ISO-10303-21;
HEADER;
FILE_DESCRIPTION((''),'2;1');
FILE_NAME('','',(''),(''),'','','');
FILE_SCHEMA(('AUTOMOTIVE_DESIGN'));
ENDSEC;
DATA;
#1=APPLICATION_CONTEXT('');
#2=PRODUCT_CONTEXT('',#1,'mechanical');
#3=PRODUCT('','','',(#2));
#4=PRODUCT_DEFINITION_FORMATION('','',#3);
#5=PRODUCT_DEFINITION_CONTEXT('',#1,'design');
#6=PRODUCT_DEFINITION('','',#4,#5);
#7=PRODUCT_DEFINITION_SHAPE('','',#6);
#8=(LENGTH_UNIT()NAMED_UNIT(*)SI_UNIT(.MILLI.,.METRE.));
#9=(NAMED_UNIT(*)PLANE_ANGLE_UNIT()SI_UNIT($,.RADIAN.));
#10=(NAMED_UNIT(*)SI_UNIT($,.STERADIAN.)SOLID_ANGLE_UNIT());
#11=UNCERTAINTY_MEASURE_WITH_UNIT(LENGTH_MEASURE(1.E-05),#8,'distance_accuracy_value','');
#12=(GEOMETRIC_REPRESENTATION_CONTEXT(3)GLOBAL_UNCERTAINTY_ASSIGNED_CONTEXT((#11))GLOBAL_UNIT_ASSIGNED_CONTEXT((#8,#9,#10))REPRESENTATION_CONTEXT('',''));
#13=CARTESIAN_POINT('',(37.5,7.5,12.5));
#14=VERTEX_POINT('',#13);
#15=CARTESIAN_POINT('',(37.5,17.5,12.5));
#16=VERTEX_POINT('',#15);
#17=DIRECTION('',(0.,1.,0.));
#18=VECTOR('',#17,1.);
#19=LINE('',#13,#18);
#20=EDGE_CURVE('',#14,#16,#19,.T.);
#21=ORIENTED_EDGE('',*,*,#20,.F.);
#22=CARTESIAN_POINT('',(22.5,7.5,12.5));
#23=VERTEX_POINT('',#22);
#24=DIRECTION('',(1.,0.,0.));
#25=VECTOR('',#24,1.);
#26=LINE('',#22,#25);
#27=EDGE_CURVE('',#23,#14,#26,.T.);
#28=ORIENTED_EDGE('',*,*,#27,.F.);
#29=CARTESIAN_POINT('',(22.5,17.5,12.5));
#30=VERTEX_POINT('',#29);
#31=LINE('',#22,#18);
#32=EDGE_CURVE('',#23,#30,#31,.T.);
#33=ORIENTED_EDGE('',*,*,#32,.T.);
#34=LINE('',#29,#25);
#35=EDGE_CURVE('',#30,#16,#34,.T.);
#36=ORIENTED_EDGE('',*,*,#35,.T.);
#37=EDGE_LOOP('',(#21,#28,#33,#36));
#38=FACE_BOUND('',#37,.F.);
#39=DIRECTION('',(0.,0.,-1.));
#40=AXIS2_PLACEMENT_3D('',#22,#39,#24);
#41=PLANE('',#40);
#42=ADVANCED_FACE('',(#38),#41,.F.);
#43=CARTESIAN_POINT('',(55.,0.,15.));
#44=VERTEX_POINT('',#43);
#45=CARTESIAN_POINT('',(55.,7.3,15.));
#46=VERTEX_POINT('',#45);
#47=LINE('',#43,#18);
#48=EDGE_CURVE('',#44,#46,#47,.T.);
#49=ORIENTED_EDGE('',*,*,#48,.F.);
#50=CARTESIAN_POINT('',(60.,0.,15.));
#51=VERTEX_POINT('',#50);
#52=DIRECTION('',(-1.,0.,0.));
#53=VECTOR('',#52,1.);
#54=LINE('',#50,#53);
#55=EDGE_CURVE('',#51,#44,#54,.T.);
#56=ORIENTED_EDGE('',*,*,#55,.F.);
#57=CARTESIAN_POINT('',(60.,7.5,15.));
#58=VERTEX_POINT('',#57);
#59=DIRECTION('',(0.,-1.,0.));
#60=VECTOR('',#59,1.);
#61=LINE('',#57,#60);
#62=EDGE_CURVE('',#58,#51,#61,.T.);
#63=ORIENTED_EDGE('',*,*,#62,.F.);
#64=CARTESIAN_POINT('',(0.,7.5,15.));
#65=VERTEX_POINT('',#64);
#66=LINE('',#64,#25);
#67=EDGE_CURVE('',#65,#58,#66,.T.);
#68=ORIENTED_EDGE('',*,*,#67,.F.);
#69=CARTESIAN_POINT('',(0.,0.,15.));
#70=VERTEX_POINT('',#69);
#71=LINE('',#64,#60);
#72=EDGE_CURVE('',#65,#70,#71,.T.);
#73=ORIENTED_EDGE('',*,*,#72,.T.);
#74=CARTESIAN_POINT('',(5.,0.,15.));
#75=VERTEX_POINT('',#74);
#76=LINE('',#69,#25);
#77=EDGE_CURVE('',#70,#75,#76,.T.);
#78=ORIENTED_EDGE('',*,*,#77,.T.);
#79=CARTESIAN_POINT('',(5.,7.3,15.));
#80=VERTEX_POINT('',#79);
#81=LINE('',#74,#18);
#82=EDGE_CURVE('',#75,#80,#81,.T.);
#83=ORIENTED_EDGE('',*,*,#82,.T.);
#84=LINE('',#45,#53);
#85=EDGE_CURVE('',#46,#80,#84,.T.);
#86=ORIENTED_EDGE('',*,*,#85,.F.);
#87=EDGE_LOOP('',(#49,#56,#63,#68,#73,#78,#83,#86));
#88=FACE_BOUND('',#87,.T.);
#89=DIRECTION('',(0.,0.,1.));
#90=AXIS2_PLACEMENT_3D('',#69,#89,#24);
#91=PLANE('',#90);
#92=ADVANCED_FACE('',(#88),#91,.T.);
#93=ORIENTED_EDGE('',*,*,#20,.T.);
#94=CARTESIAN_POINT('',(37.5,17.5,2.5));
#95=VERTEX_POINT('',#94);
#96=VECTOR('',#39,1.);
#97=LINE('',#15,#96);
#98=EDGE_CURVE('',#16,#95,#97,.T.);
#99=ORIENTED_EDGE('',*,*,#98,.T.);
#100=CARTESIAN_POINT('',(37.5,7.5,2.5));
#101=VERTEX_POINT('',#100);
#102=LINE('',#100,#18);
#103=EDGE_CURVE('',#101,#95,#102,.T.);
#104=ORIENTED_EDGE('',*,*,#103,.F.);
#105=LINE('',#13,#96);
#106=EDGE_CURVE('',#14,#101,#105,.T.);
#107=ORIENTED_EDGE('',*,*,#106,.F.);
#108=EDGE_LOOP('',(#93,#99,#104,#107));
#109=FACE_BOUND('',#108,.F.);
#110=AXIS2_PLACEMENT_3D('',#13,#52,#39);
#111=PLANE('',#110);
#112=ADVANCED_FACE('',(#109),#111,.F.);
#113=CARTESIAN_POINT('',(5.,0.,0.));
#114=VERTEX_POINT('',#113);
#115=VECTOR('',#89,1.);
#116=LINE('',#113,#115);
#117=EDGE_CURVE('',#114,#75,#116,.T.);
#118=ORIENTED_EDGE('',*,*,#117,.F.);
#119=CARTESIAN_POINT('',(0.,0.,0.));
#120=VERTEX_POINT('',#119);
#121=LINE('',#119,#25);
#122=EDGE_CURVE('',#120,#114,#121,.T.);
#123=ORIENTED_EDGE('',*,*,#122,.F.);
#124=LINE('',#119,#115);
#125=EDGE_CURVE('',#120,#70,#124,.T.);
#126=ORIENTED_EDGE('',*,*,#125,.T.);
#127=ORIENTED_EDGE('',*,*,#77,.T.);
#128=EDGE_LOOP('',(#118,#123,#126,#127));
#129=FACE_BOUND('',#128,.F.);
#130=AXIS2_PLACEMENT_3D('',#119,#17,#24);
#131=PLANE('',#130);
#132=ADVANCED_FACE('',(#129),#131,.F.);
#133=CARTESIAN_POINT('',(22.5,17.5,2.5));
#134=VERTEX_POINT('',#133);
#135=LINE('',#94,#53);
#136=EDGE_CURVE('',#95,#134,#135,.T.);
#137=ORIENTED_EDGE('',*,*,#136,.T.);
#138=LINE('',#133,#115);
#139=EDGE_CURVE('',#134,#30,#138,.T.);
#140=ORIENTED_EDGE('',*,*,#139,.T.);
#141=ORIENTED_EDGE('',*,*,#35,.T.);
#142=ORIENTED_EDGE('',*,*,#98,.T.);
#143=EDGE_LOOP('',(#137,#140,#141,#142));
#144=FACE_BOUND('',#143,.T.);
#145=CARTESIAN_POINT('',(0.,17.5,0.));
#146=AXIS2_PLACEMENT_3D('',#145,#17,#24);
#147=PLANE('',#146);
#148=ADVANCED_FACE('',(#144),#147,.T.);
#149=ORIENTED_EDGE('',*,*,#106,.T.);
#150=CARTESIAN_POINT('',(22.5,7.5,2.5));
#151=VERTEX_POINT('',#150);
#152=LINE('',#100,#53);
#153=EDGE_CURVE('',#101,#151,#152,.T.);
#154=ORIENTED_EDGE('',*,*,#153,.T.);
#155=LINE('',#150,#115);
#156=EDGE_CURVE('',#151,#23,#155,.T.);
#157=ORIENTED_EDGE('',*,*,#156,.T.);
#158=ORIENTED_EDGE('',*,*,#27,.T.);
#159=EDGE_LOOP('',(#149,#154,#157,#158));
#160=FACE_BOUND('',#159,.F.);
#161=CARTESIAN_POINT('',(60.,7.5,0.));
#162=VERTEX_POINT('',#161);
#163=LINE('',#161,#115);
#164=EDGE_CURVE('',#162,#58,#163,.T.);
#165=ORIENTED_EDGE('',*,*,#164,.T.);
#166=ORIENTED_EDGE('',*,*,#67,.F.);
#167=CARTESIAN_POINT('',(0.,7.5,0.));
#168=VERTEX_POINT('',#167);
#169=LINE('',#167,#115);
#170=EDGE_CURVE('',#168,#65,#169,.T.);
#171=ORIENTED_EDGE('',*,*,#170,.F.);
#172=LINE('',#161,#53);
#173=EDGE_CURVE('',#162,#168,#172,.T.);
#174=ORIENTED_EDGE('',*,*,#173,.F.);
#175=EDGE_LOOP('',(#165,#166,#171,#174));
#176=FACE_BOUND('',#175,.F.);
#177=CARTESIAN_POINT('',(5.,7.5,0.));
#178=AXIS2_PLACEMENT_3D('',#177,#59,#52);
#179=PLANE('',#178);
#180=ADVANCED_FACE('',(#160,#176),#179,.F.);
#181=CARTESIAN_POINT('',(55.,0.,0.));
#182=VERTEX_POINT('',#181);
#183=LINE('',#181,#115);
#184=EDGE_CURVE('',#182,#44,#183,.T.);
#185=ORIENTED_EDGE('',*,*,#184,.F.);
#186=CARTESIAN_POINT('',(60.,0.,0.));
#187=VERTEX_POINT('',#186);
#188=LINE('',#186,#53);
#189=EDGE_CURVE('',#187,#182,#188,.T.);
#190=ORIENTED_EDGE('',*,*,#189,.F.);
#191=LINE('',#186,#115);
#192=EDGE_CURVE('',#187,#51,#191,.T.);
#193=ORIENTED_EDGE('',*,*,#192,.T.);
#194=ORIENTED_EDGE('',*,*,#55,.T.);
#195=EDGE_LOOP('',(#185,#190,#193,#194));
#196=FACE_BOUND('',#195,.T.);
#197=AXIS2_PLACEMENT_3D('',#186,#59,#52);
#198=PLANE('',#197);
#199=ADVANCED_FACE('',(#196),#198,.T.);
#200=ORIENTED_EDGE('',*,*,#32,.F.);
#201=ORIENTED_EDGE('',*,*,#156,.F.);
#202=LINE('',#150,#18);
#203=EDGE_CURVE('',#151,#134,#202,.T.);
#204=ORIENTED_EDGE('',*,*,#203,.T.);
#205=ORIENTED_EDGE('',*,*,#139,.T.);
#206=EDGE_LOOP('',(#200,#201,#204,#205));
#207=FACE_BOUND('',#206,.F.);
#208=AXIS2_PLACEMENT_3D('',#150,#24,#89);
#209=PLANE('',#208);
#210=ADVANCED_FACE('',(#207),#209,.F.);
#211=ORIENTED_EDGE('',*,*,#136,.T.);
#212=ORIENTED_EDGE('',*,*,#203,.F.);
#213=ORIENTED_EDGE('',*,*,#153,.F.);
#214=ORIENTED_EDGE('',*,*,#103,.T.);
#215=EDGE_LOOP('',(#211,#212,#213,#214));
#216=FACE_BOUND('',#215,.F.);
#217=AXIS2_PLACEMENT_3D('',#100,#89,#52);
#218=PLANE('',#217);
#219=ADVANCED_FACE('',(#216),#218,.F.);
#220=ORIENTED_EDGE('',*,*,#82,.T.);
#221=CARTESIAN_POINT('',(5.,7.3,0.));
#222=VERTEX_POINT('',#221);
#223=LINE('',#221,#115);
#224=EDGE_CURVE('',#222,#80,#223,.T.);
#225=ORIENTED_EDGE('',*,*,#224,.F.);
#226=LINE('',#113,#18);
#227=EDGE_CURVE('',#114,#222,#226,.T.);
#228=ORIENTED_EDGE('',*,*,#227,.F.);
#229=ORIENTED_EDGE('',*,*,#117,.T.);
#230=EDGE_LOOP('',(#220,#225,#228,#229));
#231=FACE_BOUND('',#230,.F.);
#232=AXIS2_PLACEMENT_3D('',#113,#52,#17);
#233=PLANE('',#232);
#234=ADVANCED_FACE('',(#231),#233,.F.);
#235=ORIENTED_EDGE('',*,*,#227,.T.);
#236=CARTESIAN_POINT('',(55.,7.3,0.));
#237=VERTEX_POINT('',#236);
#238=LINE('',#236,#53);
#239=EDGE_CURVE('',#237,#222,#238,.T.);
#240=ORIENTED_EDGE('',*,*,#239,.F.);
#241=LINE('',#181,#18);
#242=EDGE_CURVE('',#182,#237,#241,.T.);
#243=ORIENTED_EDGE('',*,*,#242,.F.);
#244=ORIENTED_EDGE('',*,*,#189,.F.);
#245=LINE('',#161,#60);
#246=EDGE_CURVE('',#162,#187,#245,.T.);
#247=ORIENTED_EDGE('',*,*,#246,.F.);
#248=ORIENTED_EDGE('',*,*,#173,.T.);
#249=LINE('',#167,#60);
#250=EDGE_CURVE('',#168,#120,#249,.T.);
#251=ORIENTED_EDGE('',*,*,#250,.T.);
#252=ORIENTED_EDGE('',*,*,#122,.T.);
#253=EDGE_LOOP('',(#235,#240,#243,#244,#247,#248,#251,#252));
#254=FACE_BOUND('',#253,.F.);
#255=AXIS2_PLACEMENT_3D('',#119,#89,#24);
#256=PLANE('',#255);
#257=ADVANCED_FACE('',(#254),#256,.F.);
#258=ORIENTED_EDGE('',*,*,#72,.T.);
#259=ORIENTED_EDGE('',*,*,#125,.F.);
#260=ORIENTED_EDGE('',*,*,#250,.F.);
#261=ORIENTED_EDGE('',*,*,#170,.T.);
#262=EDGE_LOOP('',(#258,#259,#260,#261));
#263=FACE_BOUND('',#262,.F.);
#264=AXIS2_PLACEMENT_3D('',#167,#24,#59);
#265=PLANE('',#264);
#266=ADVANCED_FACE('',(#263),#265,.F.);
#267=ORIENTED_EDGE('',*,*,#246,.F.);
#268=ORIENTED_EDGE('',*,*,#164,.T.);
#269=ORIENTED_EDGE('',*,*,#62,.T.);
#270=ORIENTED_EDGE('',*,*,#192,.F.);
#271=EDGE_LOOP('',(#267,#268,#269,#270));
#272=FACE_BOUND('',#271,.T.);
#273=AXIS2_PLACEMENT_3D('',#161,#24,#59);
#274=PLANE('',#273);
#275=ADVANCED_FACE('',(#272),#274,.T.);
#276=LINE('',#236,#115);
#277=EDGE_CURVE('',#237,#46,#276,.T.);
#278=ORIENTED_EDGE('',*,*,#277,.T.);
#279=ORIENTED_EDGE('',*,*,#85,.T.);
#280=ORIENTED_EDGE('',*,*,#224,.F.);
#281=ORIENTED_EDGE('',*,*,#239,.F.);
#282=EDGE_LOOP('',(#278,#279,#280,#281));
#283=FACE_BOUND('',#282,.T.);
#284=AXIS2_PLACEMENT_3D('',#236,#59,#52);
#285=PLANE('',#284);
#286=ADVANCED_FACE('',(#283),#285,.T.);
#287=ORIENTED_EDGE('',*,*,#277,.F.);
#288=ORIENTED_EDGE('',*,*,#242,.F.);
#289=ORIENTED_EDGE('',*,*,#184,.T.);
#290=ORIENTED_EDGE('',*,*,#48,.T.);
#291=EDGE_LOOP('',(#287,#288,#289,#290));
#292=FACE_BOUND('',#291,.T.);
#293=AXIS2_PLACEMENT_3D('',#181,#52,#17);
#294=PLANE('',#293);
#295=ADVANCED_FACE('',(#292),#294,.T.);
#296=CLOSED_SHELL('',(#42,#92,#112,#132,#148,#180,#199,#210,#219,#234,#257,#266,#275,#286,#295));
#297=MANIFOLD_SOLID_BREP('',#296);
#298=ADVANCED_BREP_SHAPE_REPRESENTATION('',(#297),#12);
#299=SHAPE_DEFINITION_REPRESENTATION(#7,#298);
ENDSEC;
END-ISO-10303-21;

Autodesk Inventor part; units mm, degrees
ref_plane "YZ Plane" through (0, 0, 0) normal (1, 0, 0) x (0, 1, 0)
ref_plane "XZ Plane" through (0, 0, 0) normal (0, 1, 0) x (-1, 0, 0)
ref_plane "XY Plane" through (0, 0, 0) normal (0, 0, 1) x (1, 0, 0)
sketch "Sketch1" plane through (0, 0, 0) normal (0, 0, 1) x (1, 0, 0)
  line L0 (0, 0) -> (5, 0)
  line L1 (5, 0) -> (5, 7.3)
  line L2 (5, 7.5) -> (0, 7.5)
  line L3 (0, 7.5) -> (0, 0)
  line L4 (5, 7.5) -> (55, 7.5)
  line L5 (55, 7.5) -> (55, 7.3)
  line L6 (55, 7.3) -> (5, 7.3)
  line L7 (5, 7.3) -> (5, 7.5)
  line L8 (55, 7.5) -> (60, 7.5)
  line L9 (60, 7.5) -> (60, 0)
  line L10 (60, 0) -> (55, 0)
  line L11 (55, 0) -> (55, 7.5)
  dimension "d0" = 5
  dimension "d1" = 7.5
  dimension "d2" = 50
  dimension "d3" = 0.2
  dimension "d4" = 5
  dimension "d5" = 7.5
extrude "Extrusion1" add sketch "Sketch1" along normal blind 15
sketch "Sketch2" plane through (0, 7.5, 0) normal (0, 1, 0) x (1, 0, 0)
  line L0 (0, 0) -> (0, -15) projected
  line L1 (0, -7.5) -> (30, -7.5) construction
  line L2 (60, 0) -> (60, -15) projected
  line L3 (30, -7.5) -> (30, 0) construction
  line L4 (5, 0) -> (55, 0) projected
  line L5 (22.5, -12.5) -> (37.5, -12.5)
  line L6 (37.5, -12.5) -> (37.5, -2.5)
  line L7 (37.5, -2.5) -> (22.5, -2.5)
  line L8 (22.5, -2.5) -> (22.5, -12.5)
  line L9 (22.5, -12.5) -> (37.5, -2.5) construction
  line L10 (37.5, -12.5) -> (22.5, -2.5) construction
  dimension "d8" = 30
  dimension "d9" = 15
  dimension "d10" = 10
extrude "Extrusion2" add sketch "Sketch2" along normal blind 10
properties part number "bridgeTest"
